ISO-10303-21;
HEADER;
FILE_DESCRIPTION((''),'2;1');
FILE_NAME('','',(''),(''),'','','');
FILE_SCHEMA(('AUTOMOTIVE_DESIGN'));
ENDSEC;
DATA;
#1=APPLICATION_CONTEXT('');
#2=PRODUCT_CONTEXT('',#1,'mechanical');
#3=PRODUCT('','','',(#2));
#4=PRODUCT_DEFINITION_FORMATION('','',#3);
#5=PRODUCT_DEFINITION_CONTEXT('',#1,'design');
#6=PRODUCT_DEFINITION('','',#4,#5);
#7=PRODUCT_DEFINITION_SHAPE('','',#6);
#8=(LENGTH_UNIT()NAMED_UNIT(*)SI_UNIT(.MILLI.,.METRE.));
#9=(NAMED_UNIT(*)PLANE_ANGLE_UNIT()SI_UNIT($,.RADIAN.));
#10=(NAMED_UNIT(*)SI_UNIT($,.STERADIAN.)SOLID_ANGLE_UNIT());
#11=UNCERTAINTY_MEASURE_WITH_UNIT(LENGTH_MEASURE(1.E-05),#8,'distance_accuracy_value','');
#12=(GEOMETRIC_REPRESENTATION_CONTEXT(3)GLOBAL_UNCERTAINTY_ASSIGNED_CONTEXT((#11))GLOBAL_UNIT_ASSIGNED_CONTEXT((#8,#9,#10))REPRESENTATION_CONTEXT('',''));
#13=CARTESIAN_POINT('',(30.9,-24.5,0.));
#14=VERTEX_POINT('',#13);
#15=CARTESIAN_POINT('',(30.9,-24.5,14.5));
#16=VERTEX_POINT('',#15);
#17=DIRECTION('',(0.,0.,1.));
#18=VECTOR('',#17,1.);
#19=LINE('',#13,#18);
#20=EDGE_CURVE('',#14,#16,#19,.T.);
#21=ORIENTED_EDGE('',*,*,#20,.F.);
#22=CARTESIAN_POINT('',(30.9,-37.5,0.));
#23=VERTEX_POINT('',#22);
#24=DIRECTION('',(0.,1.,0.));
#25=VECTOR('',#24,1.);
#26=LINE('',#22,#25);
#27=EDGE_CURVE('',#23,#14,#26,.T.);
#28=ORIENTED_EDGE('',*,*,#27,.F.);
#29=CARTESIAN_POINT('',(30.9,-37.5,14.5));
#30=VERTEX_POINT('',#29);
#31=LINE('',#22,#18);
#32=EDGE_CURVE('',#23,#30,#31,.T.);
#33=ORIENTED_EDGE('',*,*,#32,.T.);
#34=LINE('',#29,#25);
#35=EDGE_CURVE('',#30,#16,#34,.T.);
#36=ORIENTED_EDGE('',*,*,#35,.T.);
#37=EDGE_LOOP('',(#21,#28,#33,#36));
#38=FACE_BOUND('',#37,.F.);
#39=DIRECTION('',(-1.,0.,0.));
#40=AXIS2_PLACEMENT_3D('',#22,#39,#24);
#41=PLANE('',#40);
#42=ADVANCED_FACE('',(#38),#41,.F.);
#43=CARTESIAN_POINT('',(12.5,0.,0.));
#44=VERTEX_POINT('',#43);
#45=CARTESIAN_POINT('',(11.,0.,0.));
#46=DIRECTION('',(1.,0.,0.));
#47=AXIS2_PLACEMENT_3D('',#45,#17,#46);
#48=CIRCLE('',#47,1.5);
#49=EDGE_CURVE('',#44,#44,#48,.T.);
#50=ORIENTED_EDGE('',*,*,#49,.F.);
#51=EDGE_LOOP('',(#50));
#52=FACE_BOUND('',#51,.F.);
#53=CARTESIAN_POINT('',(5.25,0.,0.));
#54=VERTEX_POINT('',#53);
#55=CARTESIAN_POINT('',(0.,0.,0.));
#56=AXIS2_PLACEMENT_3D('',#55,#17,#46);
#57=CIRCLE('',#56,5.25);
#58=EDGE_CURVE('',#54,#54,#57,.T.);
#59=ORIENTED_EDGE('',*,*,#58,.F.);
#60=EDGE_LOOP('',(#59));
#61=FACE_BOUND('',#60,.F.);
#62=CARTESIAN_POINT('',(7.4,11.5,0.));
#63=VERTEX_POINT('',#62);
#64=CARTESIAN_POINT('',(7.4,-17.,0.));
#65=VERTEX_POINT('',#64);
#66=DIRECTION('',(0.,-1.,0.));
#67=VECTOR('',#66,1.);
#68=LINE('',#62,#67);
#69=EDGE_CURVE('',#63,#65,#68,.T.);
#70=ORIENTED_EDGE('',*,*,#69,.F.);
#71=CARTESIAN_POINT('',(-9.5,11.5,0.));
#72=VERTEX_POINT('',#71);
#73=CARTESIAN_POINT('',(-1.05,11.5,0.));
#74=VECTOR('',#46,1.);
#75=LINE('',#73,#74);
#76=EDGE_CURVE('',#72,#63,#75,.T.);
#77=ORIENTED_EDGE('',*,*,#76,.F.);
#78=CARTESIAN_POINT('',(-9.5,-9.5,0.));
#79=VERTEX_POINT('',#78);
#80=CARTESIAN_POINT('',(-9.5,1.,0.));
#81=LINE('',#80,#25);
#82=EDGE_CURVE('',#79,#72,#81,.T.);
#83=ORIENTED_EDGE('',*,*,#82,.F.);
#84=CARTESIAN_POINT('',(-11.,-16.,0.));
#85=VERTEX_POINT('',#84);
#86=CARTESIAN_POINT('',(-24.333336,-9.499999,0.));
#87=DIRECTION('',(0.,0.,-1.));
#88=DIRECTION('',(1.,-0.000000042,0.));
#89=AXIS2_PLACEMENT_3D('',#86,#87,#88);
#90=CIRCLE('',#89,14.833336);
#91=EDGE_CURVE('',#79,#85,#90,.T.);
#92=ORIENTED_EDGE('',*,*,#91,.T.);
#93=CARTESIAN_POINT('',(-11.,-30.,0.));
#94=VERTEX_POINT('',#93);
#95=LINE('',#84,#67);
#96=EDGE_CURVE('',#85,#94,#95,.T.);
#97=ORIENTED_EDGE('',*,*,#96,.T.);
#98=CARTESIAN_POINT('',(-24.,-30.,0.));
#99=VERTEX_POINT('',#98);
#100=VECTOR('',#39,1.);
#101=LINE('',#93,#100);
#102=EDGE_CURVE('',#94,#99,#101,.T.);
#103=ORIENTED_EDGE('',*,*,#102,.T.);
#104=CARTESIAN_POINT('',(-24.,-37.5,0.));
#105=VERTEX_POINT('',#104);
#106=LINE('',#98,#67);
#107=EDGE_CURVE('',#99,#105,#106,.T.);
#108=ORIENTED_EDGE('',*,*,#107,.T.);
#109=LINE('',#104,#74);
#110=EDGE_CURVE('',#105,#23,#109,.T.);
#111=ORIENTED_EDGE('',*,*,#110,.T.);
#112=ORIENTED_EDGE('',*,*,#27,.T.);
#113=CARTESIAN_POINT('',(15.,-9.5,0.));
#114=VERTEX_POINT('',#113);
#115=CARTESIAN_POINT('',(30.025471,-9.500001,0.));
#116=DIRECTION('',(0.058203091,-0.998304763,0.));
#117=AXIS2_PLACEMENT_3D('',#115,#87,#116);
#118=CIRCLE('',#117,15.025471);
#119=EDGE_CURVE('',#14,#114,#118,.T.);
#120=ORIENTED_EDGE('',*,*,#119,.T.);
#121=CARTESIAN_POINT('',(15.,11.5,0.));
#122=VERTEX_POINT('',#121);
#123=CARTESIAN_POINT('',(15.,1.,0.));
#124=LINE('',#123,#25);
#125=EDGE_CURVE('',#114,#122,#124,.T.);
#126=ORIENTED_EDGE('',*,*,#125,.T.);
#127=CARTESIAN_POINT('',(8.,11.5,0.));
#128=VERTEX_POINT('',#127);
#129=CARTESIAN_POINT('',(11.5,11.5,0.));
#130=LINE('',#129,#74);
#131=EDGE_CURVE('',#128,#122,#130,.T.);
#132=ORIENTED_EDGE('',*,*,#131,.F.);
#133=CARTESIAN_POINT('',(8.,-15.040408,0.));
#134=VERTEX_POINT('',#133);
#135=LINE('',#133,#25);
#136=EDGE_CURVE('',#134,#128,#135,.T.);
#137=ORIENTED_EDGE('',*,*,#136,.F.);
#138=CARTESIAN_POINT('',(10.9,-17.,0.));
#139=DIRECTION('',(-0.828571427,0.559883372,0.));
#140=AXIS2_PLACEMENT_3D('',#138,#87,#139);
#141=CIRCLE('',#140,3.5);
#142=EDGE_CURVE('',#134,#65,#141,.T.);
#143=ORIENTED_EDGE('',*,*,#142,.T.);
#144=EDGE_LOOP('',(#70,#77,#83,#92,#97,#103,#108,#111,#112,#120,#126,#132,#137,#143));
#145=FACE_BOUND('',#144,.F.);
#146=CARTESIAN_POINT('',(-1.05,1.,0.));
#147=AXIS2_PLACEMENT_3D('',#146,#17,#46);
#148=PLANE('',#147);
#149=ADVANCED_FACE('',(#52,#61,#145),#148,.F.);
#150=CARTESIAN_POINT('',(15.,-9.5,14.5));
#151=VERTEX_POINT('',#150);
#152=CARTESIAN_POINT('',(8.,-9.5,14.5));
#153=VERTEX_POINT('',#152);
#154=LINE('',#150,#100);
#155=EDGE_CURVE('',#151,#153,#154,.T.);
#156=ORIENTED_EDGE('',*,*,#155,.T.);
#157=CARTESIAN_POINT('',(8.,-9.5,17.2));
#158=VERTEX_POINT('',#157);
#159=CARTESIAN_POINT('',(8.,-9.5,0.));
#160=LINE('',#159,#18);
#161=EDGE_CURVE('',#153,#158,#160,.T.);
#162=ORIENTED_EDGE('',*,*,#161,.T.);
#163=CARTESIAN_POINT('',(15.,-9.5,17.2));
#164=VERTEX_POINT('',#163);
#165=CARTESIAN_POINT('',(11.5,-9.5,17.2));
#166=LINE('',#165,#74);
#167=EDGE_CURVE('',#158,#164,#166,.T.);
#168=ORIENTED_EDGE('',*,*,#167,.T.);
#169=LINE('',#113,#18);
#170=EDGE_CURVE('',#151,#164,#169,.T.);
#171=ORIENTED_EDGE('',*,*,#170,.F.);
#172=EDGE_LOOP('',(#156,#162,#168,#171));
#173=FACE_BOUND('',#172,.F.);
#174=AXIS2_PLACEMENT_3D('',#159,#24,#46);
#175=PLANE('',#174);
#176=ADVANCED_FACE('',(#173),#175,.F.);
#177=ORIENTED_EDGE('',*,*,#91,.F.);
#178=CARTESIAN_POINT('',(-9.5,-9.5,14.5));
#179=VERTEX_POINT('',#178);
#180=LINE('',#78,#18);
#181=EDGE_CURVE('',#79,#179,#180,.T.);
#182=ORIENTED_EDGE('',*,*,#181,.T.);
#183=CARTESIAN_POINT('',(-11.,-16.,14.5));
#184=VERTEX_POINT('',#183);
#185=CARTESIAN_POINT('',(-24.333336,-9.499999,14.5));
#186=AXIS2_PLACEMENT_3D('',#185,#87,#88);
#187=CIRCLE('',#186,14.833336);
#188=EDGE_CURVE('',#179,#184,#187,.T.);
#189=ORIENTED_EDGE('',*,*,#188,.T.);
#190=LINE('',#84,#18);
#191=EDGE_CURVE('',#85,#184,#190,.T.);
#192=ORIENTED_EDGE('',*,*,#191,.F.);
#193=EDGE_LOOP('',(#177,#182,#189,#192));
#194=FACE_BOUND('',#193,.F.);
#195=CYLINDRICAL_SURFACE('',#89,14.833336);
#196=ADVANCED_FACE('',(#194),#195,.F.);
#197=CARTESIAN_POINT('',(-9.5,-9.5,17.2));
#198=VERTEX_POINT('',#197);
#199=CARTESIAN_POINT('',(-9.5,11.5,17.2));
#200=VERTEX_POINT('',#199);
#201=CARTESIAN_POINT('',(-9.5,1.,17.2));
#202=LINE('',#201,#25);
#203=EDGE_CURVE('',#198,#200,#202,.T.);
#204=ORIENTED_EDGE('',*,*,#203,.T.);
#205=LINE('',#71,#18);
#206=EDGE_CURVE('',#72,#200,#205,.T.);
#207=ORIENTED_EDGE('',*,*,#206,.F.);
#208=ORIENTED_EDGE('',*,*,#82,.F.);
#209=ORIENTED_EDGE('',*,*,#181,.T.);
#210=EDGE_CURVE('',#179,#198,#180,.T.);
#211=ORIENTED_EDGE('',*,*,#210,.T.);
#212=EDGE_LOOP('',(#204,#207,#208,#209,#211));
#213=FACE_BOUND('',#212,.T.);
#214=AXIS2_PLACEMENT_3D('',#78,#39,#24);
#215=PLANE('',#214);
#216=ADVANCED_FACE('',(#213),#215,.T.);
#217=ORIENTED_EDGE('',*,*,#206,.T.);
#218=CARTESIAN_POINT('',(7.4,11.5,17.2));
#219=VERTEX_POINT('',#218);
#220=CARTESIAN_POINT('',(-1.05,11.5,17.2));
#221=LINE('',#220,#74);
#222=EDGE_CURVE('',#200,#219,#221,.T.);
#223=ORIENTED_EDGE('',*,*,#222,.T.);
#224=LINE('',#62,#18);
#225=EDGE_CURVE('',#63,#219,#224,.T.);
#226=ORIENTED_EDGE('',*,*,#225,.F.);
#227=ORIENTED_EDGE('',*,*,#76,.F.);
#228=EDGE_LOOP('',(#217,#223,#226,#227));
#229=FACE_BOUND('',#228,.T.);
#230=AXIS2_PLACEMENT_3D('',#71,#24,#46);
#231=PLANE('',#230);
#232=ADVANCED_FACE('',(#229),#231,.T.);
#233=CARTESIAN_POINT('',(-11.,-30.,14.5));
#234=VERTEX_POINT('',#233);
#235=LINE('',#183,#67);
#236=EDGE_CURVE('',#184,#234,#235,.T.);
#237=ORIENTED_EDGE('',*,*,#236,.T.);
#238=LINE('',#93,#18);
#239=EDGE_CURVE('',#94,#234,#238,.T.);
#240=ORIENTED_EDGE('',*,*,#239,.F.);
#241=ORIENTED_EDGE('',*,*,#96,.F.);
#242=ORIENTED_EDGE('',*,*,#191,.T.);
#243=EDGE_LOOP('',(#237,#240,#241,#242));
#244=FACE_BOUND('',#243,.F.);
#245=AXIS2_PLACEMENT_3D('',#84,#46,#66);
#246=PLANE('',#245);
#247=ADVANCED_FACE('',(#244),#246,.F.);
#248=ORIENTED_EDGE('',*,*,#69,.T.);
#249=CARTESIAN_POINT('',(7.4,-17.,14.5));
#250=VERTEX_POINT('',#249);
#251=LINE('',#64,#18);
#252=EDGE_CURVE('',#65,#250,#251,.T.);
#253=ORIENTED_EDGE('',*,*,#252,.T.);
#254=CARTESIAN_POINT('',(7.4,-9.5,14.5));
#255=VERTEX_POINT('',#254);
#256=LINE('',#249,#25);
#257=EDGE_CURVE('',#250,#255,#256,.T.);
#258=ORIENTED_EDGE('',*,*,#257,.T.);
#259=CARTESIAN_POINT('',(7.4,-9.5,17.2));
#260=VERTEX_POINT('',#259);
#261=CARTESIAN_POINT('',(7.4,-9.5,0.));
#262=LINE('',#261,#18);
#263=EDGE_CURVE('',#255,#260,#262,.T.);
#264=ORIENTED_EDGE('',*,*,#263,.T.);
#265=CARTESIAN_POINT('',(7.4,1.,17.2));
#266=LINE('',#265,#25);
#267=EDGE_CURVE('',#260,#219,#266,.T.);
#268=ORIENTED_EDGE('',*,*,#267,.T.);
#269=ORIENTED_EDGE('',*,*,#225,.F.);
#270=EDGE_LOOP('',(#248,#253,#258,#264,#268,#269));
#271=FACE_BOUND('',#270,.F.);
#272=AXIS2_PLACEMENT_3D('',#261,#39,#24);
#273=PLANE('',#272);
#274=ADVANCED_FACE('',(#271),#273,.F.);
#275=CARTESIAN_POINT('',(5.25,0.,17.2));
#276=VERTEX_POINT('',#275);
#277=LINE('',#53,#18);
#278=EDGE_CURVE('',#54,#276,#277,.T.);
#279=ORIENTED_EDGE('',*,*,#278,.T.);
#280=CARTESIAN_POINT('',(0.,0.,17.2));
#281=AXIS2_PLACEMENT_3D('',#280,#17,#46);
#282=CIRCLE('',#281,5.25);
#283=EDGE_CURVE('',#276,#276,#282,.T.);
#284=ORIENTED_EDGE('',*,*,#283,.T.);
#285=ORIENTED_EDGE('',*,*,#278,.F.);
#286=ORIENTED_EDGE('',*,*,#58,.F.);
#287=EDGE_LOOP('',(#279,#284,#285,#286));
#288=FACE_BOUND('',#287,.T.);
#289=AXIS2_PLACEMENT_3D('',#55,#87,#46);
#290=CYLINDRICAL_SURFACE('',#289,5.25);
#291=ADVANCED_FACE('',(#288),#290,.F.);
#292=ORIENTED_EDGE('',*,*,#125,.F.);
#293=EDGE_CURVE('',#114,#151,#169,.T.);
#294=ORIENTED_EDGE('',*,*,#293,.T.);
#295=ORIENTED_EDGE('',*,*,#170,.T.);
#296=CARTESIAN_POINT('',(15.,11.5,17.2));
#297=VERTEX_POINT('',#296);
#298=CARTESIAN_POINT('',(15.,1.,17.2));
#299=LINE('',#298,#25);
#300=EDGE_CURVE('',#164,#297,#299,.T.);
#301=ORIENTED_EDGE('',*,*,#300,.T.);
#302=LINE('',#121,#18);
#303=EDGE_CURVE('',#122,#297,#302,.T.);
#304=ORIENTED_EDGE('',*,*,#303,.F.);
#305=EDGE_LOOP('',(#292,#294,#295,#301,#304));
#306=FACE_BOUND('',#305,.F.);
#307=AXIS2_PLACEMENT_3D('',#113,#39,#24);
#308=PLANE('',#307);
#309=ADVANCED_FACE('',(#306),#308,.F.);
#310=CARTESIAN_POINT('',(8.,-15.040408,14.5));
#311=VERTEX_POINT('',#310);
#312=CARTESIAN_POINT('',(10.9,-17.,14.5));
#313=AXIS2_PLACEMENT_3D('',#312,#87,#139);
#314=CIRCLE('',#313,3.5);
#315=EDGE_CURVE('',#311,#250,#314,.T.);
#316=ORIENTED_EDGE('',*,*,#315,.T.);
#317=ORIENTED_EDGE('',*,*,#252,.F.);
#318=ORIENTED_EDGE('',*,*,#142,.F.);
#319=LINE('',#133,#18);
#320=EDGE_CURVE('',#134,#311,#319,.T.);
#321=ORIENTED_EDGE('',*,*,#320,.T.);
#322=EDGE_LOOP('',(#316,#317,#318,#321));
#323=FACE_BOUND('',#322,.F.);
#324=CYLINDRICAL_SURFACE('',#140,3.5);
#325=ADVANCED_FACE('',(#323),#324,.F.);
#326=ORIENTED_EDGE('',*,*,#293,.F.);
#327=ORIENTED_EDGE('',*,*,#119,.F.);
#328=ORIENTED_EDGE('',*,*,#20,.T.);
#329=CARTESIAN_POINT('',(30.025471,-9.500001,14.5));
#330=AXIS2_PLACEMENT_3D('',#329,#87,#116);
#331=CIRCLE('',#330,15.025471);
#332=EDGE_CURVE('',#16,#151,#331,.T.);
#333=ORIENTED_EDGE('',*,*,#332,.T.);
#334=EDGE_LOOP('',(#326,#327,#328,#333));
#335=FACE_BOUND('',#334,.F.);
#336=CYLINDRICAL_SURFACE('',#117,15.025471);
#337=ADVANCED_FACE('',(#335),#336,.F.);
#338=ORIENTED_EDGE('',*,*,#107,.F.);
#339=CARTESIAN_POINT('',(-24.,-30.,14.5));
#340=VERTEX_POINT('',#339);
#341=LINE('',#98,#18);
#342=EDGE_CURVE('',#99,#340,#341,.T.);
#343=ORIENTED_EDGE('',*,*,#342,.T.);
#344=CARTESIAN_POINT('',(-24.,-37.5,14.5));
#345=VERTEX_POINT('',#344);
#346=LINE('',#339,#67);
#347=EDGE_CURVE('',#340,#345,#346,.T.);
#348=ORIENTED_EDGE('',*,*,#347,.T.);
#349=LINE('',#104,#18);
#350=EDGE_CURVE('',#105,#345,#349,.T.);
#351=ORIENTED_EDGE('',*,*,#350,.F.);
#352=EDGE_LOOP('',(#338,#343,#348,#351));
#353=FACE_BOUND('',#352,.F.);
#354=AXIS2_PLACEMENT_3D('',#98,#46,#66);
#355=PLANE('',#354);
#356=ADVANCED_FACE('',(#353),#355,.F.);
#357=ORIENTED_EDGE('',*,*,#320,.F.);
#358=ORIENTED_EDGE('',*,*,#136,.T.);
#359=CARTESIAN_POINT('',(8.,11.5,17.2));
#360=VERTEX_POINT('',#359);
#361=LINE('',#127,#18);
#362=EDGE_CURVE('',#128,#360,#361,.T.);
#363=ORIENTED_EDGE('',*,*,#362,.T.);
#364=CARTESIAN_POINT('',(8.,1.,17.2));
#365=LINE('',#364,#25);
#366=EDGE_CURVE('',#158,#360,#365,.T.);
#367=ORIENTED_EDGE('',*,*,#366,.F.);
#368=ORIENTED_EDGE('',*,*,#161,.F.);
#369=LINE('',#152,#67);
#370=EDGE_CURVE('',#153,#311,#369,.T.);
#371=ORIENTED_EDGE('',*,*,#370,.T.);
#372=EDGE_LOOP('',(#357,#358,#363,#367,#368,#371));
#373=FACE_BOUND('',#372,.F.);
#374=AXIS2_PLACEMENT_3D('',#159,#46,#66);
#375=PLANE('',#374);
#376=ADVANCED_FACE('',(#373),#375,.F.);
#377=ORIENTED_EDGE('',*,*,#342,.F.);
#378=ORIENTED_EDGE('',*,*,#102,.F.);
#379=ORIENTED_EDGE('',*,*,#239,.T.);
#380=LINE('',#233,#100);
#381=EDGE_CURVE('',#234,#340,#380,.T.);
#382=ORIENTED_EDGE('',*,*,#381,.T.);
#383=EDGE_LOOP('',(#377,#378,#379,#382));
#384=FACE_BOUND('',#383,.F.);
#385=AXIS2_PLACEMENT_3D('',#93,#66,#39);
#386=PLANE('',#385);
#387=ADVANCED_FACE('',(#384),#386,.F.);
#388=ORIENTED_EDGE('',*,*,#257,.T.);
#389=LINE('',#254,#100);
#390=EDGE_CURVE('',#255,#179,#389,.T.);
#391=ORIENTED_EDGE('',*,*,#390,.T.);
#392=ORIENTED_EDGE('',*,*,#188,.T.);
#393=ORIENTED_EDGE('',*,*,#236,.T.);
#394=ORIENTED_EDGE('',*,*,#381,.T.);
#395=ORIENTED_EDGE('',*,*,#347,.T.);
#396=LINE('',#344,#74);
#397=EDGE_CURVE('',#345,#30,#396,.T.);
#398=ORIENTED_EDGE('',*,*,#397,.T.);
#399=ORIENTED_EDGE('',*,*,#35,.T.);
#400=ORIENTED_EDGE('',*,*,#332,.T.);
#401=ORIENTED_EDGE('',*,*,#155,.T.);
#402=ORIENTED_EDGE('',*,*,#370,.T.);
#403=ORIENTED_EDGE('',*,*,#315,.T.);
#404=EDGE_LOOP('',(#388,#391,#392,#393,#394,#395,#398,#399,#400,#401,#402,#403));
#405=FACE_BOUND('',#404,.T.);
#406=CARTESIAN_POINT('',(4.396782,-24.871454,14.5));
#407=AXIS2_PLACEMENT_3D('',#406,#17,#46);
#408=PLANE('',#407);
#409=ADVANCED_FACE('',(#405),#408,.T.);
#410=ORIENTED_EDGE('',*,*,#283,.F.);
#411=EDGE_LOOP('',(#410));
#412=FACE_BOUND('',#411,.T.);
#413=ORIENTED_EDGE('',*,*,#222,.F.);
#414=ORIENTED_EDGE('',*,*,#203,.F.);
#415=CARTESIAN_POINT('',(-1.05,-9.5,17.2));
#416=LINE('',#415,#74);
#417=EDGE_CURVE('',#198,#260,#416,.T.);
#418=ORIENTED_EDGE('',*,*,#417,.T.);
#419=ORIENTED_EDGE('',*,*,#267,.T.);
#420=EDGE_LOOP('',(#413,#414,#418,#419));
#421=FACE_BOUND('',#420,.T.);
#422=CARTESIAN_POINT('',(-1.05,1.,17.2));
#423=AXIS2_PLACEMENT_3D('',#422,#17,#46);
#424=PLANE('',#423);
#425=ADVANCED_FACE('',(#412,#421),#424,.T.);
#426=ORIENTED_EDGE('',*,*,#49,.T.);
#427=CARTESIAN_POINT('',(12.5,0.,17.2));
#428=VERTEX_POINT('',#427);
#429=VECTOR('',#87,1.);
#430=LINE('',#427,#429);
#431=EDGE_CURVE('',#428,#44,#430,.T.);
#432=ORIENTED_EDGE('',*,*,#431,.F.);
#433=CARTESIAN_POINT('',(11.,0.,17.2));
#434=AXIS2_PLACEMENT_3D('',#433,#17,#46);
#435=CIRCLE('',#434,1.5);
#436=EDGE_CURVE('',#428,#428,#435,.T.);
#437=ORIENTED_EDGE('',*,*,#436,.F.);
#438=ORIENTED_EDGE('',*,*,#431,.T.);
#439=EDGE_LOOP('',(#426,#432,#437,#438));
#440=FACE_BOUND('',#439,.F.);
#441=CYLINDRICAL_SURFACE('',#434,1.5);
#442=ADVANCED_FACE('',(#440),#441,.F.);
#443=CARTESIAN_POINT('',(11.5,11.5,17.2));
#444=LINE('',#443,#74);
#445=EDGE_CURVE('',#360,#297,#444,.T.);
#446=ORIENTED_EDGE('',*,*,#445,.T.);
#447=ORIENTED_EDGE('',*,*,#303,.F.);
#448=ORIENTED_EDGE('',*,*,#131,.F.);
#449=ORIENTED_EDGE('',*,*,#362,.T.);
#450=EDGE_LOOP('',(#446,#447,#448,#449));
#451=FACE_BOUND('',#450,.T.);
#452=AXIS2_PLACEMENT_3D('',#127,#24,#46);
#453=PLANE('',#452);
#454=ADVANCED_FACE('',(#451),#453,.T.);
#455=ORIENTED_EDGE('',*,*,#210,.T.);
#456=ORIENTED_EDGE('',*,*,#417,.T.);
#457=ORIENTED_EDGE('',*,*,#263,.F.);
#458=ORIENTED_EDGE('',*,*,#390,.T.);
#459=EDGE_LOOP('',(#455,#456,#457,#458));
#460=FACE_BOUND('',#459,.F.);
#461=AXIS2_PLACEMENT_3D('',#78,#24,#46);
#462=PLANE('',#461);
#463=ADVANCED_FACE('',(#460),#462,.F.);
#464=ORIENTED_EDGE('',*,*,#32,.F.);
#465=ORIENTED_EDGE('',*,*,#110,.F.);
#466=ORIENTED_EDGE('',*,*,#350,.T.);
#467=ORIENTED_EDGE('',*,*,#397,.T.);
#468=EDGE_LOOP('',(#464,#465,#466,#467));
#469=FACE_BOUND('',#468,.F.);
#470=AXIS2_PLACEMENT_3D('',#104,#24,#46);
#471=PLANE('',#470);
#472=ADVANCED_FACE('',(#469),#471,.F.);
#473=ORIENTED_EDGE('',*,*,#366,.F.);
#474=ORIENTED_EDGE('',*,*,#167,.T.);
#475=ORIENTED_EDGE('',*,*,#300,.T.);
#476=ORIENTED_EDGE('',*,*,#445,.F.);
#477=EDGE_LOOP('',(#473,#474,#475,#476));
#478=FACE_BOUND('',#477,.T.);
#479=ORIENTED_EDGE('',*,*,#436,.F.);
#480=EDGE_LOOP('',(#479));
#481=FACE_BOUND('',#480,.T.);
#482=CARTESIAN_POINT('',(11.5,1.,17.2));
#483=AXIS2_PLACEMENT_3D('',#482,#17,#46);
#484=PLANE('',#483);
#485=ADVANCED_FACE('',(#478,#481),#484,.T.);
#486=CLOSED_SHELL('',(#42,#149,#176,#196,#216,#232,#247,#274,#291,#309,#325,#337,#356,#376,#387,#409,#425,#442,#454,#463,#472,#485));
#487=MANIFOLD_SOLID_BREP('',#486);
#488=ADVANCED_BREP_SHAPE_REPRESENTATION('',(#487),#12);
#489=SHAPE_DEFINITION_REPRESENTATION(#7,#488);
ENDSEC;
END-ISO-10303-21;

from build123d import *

# Parameters (mm, degrees)
F1_DEPTH = 14.5
F0_W     = 16.9
F0_H     = 21
F0_R     = 5.25
F0_W_2   = 7
F2_DEPTH = 17.2
F3_R     = 1.5
F4_DEPTH = 25


with BuildPart() as f1:
    # F0 (on Top) → F1 (new body)
    with BuildSketch(Plane.XY):
        with BuildLine():
            Line((7.4, -9.5), (-9.5, -9.5))
            ThreePointArc((-9.5, -9.5), (-9.879864, -12.835416), (-11, -16))
            Line((-11, -16), (-11, -30))
            Line((-11, -30), (-24, -30))
            Line((-24, -30), (-24, -37.5))
            Line((-24, -37.5), (30.9, -37.5))
            Line((30.9, -37.5), (30.9, -24.5))
            ThreePointArc((30.9, -24.5), (19.714686, -20.429433), (15, -9.5))
            Line((15, -9.5), (8, -9.5))
            Line((8, -9.5), (8, -15.040408))
            ThreePointArc((8, -15.040408), (14.24664, -18.024695), (7.4, -17))
            Line((7.4, -17), (7.4, -9.5))
        make_face()
    extrude(amount=F1_DEPTH)

    # F0 (on Top) → F2 (join)
    with BuildSketch(Plane.XY):
        with Locations((-1.05, 1)):
            Rectangle(F0_W, F0_H)
        Circle(F0_R, mode=Mode.SUBTRACT)
        with Locations((11.5, 1)):
            Rectangle(F0_W_2, F0_H)
    extrude(amount=F2_DEPTH)

    # F3 (on face) → F4 (cut)
    with BuildSketch(Plane.XY.offset(17.2)):
        with Locations((11, 0)):
            Circle(F3_R)
    extrude(amount=-F4_DEPTH, mode=Mode.SUBTRACT)


solid = f1.part
